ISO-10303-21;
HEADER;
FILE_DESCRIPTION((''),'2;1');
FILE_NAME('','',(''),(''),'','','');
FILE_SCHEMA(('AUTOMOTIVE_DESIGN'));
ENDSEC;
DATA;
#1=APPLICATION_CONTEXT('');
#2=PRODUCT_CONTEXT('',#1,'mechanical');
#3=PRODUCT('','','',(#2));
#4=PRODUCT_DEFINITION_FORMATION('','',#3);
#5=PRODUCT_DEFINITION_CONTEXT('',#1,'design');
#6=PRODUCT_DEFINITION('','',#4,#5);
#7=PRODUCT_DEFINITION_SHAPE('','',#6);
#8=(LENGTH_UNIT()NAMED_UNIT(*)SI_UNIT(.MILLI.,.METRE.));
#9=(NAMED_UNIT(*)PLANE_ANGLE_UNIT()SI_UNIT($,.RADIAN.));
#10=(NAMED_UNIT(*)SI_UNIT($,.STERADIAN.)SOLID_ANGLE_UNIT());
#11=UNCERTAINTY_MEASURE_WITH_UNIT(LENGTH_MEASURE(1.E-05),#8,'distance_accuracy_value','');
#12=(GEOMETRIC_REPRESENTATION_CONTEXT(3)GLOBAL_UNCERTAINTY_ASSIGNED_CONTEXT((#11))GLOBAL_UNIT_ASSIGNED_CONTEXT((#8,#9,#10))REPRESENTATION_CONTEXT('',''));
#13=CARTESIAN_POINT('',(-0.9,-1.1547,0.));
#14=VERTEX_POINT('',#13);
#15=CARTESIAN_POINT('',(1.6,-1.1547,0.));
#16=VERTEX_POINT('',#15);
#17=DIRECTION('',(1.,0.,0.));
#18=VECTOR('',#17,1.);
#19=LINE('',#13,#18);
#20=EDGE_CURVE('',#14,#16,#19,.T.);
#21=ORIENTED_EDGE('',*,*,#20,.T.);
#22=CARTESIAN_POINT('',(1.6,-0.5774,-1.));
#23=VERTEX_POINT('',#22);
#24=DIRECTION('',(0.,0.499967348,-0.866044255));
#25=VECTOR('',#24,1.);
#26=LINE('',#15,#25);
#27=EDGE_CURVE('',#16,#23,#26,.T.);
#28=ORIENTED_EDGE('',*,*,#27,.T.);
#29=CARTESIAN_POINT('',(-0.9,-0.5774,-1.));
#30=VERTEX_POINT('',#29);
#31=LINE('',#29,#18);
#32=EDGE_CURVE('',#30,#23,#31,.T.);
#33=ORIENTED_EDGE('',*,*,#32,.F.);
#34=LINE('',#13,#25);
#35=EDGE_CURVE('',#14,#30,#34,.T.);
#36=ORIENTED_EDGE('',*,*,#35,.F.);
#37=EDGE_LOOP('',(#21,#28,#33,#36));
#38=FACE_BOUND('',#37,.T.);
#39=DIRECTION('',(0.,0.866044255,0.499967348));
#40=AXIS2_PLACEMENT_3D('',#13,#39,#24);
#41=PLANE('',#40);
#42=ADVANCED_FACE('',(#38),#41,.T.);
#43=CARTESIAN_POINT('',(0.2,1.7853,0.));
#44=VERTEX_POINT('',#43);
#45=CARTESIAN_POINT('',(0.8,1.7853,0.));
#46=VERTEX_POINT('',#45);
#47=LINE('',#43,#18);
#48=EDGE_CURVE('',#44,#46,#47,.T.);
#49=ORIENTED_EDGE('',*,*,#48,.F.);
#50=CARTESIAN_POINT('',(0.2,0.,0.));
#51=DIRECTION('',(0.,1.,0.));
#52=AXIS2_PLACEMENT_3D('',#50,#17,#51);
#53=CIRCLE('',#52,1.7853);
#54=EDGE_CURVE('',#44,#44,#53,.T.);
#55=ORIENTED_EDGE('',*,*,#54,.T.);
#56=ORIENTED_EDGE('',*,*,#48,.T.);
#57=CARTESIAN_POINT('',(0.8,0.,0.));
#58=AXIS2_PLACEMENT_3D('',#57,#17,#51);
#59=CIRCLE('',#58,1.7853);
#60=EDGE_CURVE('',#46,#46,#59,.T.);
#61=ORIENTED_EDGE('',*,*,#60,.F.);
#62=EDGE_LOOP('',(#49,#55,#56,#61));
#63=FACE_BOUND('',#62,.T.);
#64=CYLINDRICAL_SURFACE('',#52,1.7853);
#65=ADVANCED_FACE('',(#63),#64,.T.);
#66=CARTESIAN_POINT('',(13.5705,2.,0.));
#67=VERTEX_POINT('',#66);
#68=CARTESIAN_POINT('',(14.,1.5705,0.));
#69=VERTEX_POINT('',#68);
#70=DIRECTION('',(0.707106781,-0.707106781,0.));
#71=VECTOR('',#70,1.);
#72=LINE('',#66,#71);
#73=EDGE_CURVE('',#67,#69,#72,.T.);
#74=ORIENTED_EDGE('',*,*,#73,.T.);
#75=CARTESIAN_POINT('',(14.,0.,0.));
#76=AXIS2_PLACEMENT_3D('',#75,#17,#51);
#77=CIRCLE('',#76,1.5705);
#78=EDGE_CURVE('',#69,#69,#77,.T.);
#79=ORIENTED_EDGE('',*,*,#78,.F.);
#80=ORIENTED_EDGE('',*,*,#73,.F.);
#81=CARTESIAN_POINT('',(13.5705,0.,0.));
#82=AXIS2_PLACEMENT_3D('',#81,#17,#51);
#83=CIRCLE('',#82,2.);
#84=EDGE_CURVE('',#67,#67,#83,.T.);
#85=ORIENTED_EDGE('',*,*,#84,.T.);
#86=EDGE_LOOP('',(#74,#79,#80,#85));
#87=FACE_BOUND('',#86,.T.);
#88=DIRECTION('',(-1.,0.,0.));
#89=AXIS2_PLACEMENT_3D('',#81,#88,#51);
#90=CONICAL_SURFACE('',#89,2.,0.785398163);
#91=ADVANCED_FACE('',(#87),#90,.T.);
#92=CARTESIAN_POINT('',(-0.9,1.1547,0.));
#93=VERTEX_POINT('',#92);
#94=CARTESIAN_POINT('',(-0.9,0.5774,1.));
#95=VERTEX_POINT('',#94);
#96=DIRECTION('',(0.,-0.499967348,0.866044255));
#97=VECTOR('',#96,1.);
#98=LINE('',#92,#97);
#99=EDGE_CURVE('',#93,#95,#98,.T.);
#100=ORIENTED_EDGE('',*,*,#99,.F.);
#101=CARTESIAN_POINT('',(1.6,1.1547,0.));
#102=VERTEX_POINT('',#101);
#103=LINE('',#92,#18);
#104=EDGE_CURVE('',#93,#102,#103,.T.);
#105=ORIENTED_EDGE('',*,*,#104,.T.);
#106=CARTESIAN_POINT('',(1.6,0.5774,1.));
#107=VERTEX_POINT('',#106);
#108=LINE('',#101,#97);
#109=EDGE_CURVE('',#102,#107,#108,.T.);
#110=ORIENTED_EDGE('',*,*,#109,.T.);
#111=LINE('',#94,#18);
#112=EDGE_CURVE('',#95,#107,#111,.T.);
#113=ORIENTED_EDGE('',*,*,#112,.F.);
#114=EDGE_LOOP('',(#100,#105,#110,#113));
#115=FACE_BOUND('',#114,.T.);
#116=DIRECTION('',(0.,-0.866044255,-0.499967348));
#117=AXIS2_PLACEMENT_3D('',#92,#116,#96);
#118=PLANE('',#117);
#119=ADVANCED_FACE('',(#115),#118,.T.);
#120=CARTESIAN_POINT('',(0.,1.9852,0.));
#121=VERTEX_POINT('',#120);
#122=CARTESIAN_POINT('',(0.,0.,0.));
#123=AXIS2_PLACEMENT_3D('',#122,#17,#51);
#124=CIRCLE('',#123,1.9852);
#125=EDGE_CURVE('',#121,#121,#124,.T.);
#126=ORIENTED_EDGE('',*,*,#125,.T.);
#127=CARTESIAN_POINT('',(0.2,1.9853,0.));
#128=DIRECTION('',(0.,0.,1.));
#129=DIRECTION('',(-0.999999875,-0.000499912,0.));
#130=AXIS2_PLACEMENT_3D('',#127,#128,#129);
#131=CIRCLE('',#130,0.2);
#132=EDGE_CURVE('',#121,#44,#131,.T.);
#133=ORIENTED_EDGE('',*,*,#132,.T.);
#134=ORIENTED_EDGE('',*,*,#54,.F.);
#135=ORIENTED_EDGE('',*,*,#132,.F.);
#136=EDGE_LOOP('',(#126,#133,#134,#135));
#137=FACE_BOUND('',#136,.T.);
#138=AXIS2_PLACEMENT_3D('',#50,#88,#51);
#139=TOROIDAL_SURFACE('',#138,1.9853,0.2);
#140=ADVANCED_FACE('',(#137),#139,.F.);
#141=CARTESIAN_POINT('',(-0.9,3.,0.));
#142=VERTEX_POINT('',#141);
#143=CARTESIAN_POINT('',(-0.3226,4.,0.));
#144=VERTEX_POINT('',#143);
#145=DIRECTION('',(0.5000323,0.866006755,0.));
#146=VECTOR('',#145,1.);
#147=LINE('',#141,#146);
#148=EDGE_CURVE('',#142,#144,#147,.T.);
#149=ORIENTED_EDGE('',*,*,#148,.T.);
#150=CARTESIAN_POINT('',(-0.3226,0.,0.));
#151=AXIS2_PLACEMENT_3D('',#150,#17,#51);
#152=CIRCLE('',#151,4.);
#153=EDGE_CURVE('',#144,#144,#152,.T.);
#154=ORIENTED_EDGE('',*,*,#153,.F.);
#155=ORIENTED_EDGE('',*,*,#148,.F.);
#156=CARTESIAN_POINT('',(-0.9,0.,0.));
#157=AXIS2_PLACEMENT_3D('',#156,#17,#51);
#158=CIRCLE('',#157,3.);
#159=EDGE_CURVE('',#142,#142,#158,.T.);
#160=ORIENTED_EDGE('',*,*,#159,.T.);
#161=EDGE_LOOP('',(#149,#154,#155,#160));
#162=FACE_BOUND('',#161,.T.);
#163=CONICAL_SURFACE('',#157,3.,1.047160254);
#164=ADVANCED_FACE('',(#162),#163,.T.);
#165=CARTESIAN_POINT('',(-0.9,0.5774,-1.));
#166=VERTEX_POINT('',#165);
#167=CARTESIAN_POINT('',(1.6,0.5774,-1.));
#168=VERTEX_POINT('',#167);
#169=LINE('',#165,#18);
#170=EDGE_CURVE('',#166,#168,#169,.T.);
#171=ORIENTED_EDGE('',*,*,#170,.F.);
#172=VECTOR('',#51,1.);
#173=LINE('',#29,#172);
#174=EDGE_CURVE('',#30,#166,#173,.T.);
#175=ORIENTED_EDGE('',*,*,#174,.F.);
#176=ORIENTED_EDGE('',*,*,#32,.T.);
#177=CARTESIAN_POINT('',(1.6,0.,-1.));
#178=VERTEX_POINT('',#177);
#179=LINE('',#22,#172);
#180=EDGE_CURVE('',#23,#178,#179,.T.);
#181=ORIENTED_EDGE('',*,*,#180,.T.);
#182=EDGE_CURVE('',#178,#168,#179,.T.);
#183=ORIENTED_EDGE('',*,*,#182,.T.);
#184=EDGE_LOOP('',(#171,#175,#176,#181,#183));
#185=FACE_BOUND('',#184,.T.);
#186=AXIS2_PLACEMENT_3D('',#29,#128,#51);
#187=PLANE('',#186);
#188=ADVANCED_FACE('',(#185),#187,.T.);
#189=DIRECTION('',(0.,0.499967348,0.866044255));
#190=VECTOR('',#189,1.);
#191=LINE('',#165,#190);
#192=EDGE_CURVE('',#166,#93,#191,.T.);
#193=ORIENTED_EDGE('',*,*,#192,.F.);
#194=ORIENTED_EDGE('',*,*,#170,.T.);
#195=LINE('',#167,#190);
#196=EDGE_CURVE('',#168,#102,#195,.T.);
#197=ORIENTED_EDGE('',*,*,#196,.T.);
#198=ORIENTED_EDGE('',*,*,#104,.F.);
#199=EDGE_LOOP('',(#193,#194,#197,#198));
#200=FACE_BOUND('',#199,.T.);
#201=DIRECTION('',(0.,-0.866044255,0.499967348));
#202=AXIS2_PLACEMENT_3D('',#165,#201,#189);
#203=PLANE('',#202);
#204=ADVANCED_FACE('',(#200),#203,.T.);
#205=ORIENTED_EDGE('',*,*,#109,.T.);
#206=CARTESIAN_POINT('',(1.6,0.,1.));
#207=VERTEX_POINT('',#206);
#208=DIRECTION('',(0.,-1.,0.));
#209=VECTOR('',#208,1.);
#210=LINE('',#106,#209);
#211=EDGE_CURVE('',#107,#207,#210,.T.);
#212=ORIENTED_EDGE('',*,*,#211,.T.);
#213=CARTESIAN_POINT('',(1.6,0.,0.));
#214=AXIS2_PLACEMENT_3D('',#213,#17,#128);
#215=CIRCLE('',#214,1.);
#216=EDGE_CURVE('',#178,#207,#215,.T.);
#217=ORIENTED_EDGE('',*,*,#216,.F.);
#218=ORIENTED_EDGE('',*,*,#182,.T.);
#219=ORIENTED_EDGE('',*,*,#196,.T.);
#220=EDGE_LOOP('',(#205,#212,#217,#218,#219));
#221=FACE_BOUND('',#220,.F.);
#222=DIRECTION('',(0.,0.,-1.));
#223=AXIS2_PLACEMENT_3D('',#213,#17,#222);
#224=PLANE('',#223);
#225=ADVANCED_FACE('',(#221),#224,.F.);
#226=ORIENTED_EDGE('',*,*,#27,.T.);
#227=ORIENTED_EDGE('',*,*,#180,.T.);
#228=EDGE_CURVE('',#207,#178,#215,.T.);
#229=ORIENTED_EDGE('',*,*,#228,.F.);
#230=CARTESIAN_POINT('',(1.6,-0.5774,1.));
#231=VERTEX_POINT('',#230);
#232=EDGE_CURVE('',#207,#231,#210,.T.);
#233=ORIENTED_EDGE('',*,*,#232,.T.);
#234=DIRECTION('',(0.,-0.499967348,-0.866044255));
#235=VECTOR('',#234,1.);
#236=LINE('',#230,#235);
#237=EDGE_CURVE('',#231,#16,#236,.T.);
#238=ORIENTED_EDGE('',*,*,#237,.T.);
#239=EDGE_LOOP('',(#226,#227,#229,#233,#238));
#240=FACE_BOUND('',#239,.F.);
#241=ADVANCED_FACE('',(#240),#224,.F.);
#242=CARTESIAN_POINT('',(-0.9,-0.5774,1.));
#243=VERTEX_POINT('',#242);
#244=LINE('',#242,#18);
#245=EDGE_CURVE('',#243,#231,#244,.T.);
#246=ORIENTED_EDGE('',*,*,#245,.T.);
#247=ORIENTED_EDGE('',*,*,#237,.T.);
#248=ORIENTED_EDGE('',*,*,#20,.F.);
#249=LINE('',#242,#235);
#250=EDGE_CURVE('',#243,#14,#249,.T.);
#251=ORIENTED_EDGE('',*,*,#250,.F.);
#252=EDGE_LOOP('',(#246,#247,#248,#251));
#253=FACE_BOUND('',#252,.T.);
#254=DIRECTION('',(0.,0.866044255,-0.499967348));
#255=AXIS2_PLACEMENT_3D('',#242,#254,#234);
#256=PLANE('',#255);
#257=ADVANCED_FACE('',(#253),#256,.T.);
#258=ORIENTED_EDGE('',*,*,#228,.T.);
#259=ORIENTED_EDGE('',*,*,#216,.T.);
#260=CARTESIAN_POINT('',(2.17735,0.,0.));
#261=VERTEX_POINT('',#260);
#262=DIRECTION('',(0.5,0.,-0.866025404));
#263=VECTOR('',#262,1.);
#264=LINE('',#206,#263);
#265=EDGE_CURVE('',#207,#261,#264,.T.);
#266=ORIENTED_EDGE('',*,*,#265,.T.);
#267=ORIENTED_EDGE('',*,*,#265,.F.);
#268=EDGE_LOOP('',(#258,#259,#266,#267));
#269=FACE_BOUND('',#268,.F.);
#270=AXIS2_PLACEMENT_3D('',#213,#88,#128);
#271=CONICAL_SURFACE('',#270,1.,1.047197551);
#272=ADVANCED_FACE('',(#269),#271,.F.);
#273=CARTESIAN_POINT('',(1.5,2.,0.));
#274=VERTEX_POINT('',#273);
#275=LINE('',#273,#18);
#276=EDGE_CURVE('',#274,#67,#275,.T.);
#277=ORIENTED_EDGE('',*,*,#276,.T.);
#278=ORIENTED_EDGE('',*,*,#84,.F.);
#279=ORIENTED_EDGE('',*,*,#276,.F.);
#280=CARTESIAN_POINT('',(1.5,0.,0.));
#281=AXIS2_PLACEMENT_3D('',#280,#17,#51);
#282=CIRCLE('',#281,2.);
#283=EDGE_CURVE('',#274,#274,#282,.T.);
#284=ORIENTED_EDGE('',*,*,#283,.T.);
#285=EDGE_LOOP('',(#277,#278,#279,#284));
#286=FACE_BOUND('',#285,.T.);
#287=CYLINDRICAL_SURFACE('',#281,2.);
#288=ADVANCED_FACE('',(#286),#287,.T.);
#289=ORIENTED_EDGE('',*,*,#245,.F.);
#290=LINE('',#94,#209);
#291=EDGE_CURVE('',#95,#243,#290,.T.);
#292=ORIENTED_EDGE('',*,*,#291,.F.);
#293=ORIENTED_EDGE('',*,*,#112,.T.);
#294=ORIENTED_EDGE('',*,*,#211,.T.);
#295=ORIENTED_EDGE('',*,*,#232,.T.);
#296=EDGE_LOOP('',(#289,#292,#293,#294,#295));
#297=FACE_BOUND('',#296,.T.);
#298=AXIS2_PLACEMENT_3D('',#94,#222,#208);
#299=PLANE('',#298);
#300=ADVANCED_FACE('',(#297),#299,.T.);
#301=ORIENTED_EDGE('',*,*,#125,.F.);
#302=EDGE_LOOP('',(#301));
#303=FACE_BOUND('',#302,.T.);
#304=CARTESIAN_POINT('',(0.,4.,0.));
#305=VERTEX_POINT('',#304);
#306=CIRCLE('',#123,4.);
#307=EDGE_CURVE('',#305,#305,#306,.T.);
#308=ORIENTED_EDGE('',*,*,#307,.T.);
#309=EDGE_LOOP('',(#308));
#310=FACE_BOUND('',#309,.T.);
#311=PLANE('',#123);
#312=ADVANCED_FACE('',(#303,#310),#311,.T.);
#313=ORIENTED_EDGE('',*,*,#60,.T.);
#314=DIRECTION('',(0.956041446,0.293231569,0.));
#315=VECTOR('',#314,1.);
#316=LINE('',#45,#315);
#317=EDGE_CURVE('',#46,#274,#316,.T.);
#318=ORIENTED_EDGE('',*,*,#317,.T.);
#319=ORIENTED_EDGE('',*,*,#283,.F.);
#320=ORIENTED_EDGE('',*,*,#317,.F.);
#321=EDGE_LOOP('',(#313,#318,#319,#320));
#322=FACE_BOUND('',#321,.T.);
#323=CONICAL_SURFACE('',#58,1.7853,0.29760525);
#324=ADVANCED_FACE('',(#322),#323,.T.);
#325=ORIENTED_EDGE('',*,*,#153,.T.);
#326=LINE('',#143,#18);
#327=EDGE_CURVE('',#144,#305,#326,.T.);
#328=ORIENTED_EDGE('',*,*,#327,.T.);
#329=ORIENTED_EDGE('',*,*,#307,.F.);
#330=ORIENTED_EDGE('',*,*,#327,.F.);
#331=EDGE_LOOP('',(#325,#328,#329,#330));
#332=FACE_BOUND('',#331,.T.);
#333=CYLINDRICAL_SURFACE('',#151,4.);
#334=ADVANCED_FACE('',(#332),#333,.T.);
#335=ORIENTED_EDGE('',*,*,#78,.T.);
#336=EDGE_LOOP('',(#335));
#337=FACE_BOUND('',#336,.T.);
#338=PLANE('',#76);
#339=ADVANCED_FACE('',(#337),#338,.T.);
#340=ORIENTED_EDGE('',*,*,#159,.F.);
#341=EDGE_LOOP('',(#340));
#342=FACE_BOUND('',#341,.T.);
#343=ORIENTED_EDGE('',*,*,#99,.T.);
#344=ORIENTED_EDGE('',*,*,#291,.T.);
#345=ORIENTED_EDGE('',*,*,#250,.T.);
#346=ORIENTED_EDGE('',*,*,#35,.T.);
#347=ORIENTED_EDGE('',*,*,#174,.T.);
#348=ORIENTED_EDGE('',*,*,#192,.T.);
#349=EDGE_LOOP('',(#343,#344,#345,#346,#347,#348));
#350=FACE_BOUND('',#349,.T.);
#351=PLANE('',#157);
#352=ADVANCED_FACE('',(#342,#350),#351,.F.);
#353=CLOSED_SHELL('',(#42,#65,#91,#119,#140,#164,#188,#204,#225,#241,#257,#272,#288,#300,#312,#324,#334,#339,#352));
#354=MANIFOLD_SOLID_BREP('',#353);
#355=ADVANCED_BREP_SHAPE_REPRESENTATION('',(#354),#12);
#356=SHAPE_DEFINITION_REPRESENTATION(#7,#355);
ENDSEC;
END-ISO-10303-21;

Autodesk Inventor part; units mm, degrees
ref_plane "YZ Plane" through (0, 0, 0) normal (1, 0, 0) x (0, 1, 0)
ref_plane "XZ Plane" through (0, 0, 0) normal (0, 1, 0) x (-1, 0, 0)
ref_plane "XY Plane" through (0, 0, 0) normal (0, 0, 1) x (1, 0, 0)
sketch "Sketch_1" plane through (0, 0, 0) normal (0, 0, 1) x (1, 0, 0)
  line L0 (14, 0) -> (-0.9, 0)
  line L1 (-0.9, 0) -> (-0.9, 3)
  line L2 (-0.9, 3) -> (-0.3226, 4)
  line L3 (-0.3226, 4) -> (0, 4)
  line L4 (0, 4) -> (0, 1.9852)
  arc A0 (0, 1.9852) -> (0.2, 1.7853) centre (0.2, 1.9853) ccw
  line L5 (0.2, 1.7853) -> (0.8, 1.7853)
  line L6 (0.8, 1.7853) -> (1.5, 2)
  line L7 (1.5, 2) -> (13.5705, 2)
  line L8 (13.5705, 2) -> (14, 1.5705)
  line L9 (14, 1.5705) -> (14, 0)
  line L10 (14, 0) -> (-0.9, 0)
revolve "Revolution1" add sketch "Sketch_1" angle 360 about axis through (14, 0, 0) along (1, 0, 0)
thread "Thread1" size "M4x0.7" class "6g" standard "ISO Metric profile" full length
sketch "Sketch2" plane through (-0.9, 0, 0) normal (-1, 0, 0) x (0, 0, 1)
  point P0 (0, 0)
hole "Hole1" at (-0.9, 0, 0) direction (1, 0, 0) diameter 2 depth 2.5 tip angle 120
sketch "Sketch_3" plane through (-0.9, 0, 0) normal (1, 0, 0) x (0, 0, -1)
  line L0 (-1, -0.5774) -> (0, -1.1547)
  line L1 (0, -1.1547) -> (1, -0.5774)
  line L2 (1, -0.5774) -> (1, 0.5774)
  line L3 (1, 0.5774) -> (0, 1.1547)
  line L4 (0, 1.1547) -> (-1, 0.5774)
  line L5 (-1, 0.5774) -> (-1, -0.5774)
extrude "Extrusion1" cut sketch "Sketch_3" along normal blind 2.5
properties part number "CBSTSR4-14" material "鋼、炭素鋼"
